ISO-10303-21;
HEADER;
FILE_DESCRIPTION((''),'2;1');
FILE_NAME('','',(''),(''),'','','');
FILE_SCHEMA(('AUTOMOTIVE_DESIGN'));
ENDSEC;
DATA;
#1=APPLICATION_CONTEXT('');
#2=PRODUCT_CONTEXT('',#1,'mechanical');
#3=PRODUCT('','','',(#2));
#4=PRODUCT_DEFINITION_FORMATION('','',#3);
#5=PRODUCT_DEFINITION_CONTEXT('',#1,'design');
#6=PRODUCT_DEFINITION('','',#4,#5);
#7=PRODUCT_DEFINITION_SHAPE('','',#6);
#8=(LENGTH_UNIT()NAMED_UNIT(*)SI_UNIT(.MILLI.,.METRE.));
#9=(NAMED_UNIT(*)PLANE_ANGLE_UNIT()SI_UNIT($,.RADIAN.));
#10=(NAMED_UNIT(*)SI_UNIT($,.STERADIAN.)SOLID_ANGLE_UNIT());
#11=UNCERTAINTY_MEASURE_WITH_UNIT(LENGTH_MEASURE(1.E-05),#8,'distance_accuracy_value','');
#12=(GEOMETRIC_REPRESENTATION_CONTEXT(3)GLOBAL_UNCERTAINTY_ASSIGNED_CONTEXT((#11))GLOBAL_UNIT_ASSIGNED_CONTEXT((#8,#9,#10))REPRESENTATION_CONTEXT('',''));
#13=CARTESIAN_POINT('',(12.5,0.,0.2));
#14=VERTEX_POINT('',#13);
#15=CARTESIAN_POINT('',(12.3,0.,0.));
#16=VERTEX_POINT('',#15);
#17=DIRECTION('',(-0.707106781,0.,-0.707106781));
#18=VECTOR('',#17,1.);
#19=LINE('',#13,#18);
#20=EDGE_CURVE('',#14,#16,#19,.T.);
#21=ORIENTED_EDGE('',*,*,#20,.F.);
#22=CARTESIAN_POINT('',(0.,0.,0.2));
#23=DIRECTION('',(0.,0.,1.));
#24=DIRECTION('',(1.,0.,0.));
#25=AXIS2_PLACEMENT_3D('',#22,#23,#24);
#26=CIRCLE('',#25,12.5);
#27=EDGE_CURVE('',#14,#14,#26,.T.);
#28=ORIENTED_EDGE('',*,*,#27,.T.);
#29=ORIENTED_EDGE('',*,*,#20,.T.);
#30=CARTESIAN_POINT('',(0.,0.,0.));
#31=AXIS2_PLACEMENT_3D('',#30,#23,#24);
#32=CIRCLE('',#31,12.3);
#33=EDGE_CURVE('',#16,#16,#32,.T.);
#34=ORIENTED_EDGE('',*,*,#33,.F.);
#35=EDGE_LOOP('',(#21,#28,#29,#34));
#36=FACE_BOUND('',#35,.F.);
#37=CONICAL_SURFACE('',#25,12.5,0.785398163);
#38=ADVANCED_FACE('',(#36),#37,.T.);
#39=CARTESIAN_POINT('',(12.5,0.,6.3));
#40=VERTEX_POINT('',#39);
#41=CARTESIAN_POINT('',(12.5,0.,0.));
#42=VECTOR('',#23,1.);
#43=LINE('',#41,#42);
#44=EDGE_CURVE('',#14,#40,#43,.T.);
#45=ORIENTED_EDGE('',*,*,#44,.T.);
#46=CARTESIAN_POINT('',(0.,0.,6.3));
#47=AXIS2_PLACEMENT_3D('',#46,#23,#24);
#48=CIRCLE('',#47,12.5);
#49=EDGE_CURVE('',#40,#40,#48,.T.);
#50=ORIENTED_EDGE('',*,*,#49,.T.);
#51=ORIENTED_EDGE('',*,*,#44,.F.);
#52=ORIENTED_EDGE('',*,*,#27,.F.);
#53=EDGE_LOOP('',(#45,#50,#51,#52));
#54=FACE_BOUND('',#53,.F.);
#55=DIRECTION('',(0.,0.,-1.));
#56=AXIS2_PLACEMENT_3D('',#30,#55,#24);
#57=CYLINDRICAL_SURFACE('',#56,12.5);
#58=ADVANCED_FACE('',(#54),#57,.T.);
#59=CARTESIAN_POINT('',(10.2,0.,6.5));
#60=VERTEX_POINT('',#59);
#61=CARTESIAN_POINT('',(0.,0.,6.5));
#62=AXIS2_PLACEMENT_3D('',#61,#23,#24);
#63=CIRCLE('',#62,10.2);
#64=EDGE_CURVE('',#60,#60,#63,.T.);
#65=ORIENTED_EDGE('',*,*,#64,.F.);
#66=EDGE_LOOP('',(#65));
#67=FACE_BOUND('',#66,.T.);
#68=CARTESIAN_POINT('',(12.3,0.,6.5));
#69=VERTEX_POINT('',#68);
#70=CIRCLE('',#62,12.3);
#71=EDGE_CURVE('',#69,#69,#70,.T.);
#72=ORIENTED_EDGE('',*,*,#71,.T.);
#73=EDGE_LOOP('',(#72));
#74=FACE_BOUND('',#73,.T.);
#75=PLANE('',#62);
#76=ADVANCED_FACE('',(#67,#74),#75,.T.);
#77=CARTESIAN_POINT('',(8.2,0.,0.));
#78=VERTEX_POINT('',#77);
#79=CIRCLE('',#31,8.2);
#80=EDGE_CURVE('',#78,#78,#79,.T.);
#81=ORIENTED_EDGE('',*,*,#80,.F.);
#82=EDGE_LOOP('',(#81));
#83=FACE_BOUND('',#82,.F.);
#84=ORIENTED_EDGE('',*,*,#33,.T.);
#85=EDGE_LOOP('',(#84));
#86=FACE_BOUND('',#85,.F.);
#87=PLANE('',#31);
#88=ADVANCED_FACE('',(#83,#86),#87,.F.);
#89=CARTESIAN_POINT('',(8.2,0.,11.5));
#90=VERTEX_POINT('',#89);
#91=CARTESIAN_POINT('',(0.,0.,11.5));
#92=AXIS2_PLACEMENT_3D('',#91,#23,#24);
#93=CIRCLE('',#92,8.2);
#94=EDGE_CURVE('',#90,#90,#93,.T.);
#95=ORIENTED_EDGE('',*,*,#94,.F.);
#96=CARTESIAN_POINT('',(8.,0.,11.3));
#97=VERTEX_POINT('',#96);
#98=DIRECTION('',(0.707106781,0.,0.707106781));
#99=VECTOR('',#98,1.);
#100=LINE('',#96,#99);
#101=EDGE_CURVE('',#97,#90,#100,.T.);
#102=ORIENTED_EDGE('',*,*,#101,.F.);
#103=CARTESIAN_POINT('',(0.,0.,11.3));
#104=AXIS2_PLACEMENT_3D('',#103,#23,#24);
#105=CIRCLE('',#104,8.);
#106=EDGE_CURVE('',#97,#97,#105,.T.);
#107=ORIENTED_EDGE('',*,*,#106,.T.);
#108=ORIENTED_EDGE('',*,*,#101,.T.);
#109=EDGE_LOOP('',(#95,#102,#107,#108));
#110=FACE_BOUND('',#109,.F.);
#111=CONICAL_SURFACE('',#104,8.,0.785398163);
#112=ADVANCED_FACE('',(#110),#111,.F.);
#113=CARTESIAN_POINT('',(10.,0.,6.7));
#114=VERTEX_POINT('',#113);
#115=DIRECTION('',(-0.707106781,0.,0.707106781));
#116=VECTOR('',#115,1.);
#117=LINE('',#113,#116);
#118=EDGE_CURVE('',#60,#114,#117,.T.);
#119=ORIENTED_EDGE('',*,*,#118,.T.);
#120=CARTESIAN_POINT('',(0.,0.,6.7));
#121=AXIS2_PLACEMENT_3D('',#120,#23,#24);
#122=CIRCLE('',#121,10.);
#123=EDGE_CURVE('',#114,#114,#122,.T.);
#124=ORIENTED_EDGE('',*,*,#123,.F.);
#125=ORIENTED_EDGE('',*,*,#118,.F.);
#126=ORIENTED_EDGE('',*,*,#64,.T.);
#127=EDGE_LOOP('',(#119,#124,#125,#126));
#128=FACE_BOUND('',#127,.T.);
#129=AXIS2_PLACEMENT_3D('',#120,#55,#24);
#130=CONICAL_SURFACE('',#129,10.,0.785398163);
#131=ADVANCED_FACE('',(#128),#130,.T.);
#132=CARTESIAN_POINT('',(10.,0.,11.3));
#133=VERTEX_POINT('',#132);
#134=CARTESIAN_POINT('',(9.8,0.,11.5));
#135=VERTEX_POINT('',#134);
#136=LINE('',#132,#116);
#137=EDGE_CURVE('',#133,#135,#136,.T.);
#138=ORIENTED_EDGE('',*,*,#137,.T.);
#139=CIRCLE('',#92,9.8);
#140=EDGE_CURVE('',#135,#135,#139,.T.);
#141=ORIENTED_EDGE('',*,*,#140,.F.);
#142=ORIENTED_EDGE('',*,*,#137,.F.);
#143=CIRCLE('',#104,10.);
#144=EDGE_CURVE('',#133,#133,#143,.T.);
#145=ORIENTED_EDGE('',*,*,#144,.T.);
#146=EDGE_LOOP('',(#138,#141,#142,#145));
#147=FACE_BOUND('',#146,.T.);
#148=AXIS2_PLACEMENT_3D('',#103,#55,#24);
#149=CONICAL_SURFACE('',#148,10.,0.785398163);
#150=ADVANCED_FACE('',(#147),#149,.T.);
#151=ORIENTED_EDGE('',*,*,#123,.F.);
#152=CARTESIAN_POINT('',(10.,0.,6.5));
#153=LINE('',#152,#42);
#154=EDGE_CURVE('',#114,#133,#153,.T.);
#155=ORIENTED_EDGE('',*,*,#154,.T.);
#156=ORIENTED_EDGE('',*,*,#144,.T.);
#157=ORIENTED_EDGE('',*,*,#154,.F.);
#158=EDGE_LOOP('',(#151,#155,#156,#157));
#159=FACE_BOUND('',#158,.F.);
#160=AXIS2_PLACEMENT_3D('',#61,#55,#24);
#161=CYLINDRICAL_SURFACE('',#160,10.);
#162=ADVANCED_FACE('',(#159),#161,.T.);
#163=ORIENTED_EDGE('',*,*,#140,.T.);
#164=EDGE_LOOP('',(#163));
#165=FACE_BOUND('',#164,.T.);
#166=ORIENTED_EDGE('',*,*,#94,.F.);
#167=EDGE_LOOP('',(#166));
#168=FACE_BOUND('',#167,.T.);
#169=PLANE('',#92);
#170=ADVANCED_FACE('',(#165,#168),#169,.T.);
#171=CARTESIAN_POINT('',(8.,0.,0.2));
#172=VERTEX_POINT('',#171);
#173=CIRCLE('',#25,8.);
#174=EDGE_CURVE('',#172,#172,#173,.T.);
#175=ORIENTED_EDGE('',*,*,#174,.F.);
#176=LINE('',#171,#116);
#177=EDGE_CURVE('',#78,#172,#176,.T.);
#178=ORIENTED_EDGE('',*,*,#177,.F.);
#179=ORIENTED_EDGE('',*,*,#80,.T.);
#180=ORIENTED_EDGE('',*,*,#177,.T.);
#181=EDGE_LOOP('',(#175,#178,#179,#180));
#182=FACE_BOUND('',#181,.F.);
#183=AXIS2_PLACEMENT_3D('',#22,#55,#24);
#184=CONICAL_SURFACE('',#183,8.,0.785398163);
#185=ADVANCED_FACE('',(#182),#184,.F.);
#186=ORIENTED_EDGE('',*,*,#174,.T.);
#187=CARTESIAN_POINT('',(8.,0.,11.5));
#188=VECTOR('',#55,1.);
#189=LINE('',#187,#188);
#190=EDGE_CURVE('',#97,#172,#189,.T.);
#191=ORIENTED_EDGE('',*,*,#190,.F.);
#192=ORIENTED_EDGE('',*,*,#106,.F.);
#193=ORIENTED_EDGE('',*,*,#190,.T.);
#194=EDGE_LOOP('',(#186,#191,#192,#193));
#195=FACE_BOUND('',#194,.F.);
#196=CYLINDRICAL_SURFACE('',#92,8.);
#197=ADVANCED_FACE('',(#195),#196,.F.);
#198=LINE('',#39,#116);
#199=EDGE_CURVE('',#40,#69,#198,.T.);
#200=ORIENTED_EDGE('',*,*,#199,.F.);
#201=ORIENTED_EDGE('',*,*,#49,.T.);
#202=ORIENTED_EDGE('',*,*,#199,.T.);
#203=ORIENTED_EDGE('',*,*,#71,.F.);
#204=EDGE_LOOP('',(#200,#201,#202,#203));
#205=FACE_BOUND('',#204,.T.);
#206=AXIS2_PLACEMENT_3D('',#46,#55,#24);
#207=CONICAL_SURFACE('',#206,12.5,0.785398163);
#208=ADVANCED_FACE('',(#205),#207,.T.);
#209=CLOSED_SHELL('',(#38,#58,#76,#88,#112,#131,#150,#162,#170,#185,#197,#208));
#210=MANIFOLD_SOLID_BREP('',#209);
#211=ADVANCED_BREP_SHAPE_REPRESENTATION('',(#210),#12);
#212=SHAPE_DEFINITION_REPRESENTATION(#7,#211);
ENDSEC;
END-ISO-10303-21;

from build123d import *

# Parameters (mm, degrees)
F0_R     = 12.5
F1_DEPTH = 6.5
F2_R     = 10
F3_DEPTH = 5
F4_R     = 8
F5_DEPTH = 11.501
F6_SIZE  = 0.2


with BuildPart() as f1:
    # F0 (on Top) → F1 (new body)
    with BuildSketch(Plane.XY):
        Circle(F0_R)
    extrude(amount=F1_DEPTH)

    # F2 (on face) → F3 (join)
    with BuildSketch(Plane.XY.offset(6.5)):
        Circle(F2_R)
    extrude(amount=F3_DEPTH)

    # F4 (on face) → F5 (cut, through all)
    with BuildSketch(Plane.XY.offset(11.5)):
        Circle(F4_R)
    extrude(amount=-F5_DEPTH, mode=Mode.SUBTRACT)

    # F6
    f6_edges = [f1.edges().sort_by_distance(p)[0] for p in [
        (-10, 0, 11.5),
        (-8, 0, 11.5),
        (-12.5, 0, 6.5),
        (-10, 0, 6.5),
        (-12.5, 0, 0),
        (-8, 0, 0),
    ]]
    chamfer(f6_edges, length=F6_SIZE)


solid = f1.part
